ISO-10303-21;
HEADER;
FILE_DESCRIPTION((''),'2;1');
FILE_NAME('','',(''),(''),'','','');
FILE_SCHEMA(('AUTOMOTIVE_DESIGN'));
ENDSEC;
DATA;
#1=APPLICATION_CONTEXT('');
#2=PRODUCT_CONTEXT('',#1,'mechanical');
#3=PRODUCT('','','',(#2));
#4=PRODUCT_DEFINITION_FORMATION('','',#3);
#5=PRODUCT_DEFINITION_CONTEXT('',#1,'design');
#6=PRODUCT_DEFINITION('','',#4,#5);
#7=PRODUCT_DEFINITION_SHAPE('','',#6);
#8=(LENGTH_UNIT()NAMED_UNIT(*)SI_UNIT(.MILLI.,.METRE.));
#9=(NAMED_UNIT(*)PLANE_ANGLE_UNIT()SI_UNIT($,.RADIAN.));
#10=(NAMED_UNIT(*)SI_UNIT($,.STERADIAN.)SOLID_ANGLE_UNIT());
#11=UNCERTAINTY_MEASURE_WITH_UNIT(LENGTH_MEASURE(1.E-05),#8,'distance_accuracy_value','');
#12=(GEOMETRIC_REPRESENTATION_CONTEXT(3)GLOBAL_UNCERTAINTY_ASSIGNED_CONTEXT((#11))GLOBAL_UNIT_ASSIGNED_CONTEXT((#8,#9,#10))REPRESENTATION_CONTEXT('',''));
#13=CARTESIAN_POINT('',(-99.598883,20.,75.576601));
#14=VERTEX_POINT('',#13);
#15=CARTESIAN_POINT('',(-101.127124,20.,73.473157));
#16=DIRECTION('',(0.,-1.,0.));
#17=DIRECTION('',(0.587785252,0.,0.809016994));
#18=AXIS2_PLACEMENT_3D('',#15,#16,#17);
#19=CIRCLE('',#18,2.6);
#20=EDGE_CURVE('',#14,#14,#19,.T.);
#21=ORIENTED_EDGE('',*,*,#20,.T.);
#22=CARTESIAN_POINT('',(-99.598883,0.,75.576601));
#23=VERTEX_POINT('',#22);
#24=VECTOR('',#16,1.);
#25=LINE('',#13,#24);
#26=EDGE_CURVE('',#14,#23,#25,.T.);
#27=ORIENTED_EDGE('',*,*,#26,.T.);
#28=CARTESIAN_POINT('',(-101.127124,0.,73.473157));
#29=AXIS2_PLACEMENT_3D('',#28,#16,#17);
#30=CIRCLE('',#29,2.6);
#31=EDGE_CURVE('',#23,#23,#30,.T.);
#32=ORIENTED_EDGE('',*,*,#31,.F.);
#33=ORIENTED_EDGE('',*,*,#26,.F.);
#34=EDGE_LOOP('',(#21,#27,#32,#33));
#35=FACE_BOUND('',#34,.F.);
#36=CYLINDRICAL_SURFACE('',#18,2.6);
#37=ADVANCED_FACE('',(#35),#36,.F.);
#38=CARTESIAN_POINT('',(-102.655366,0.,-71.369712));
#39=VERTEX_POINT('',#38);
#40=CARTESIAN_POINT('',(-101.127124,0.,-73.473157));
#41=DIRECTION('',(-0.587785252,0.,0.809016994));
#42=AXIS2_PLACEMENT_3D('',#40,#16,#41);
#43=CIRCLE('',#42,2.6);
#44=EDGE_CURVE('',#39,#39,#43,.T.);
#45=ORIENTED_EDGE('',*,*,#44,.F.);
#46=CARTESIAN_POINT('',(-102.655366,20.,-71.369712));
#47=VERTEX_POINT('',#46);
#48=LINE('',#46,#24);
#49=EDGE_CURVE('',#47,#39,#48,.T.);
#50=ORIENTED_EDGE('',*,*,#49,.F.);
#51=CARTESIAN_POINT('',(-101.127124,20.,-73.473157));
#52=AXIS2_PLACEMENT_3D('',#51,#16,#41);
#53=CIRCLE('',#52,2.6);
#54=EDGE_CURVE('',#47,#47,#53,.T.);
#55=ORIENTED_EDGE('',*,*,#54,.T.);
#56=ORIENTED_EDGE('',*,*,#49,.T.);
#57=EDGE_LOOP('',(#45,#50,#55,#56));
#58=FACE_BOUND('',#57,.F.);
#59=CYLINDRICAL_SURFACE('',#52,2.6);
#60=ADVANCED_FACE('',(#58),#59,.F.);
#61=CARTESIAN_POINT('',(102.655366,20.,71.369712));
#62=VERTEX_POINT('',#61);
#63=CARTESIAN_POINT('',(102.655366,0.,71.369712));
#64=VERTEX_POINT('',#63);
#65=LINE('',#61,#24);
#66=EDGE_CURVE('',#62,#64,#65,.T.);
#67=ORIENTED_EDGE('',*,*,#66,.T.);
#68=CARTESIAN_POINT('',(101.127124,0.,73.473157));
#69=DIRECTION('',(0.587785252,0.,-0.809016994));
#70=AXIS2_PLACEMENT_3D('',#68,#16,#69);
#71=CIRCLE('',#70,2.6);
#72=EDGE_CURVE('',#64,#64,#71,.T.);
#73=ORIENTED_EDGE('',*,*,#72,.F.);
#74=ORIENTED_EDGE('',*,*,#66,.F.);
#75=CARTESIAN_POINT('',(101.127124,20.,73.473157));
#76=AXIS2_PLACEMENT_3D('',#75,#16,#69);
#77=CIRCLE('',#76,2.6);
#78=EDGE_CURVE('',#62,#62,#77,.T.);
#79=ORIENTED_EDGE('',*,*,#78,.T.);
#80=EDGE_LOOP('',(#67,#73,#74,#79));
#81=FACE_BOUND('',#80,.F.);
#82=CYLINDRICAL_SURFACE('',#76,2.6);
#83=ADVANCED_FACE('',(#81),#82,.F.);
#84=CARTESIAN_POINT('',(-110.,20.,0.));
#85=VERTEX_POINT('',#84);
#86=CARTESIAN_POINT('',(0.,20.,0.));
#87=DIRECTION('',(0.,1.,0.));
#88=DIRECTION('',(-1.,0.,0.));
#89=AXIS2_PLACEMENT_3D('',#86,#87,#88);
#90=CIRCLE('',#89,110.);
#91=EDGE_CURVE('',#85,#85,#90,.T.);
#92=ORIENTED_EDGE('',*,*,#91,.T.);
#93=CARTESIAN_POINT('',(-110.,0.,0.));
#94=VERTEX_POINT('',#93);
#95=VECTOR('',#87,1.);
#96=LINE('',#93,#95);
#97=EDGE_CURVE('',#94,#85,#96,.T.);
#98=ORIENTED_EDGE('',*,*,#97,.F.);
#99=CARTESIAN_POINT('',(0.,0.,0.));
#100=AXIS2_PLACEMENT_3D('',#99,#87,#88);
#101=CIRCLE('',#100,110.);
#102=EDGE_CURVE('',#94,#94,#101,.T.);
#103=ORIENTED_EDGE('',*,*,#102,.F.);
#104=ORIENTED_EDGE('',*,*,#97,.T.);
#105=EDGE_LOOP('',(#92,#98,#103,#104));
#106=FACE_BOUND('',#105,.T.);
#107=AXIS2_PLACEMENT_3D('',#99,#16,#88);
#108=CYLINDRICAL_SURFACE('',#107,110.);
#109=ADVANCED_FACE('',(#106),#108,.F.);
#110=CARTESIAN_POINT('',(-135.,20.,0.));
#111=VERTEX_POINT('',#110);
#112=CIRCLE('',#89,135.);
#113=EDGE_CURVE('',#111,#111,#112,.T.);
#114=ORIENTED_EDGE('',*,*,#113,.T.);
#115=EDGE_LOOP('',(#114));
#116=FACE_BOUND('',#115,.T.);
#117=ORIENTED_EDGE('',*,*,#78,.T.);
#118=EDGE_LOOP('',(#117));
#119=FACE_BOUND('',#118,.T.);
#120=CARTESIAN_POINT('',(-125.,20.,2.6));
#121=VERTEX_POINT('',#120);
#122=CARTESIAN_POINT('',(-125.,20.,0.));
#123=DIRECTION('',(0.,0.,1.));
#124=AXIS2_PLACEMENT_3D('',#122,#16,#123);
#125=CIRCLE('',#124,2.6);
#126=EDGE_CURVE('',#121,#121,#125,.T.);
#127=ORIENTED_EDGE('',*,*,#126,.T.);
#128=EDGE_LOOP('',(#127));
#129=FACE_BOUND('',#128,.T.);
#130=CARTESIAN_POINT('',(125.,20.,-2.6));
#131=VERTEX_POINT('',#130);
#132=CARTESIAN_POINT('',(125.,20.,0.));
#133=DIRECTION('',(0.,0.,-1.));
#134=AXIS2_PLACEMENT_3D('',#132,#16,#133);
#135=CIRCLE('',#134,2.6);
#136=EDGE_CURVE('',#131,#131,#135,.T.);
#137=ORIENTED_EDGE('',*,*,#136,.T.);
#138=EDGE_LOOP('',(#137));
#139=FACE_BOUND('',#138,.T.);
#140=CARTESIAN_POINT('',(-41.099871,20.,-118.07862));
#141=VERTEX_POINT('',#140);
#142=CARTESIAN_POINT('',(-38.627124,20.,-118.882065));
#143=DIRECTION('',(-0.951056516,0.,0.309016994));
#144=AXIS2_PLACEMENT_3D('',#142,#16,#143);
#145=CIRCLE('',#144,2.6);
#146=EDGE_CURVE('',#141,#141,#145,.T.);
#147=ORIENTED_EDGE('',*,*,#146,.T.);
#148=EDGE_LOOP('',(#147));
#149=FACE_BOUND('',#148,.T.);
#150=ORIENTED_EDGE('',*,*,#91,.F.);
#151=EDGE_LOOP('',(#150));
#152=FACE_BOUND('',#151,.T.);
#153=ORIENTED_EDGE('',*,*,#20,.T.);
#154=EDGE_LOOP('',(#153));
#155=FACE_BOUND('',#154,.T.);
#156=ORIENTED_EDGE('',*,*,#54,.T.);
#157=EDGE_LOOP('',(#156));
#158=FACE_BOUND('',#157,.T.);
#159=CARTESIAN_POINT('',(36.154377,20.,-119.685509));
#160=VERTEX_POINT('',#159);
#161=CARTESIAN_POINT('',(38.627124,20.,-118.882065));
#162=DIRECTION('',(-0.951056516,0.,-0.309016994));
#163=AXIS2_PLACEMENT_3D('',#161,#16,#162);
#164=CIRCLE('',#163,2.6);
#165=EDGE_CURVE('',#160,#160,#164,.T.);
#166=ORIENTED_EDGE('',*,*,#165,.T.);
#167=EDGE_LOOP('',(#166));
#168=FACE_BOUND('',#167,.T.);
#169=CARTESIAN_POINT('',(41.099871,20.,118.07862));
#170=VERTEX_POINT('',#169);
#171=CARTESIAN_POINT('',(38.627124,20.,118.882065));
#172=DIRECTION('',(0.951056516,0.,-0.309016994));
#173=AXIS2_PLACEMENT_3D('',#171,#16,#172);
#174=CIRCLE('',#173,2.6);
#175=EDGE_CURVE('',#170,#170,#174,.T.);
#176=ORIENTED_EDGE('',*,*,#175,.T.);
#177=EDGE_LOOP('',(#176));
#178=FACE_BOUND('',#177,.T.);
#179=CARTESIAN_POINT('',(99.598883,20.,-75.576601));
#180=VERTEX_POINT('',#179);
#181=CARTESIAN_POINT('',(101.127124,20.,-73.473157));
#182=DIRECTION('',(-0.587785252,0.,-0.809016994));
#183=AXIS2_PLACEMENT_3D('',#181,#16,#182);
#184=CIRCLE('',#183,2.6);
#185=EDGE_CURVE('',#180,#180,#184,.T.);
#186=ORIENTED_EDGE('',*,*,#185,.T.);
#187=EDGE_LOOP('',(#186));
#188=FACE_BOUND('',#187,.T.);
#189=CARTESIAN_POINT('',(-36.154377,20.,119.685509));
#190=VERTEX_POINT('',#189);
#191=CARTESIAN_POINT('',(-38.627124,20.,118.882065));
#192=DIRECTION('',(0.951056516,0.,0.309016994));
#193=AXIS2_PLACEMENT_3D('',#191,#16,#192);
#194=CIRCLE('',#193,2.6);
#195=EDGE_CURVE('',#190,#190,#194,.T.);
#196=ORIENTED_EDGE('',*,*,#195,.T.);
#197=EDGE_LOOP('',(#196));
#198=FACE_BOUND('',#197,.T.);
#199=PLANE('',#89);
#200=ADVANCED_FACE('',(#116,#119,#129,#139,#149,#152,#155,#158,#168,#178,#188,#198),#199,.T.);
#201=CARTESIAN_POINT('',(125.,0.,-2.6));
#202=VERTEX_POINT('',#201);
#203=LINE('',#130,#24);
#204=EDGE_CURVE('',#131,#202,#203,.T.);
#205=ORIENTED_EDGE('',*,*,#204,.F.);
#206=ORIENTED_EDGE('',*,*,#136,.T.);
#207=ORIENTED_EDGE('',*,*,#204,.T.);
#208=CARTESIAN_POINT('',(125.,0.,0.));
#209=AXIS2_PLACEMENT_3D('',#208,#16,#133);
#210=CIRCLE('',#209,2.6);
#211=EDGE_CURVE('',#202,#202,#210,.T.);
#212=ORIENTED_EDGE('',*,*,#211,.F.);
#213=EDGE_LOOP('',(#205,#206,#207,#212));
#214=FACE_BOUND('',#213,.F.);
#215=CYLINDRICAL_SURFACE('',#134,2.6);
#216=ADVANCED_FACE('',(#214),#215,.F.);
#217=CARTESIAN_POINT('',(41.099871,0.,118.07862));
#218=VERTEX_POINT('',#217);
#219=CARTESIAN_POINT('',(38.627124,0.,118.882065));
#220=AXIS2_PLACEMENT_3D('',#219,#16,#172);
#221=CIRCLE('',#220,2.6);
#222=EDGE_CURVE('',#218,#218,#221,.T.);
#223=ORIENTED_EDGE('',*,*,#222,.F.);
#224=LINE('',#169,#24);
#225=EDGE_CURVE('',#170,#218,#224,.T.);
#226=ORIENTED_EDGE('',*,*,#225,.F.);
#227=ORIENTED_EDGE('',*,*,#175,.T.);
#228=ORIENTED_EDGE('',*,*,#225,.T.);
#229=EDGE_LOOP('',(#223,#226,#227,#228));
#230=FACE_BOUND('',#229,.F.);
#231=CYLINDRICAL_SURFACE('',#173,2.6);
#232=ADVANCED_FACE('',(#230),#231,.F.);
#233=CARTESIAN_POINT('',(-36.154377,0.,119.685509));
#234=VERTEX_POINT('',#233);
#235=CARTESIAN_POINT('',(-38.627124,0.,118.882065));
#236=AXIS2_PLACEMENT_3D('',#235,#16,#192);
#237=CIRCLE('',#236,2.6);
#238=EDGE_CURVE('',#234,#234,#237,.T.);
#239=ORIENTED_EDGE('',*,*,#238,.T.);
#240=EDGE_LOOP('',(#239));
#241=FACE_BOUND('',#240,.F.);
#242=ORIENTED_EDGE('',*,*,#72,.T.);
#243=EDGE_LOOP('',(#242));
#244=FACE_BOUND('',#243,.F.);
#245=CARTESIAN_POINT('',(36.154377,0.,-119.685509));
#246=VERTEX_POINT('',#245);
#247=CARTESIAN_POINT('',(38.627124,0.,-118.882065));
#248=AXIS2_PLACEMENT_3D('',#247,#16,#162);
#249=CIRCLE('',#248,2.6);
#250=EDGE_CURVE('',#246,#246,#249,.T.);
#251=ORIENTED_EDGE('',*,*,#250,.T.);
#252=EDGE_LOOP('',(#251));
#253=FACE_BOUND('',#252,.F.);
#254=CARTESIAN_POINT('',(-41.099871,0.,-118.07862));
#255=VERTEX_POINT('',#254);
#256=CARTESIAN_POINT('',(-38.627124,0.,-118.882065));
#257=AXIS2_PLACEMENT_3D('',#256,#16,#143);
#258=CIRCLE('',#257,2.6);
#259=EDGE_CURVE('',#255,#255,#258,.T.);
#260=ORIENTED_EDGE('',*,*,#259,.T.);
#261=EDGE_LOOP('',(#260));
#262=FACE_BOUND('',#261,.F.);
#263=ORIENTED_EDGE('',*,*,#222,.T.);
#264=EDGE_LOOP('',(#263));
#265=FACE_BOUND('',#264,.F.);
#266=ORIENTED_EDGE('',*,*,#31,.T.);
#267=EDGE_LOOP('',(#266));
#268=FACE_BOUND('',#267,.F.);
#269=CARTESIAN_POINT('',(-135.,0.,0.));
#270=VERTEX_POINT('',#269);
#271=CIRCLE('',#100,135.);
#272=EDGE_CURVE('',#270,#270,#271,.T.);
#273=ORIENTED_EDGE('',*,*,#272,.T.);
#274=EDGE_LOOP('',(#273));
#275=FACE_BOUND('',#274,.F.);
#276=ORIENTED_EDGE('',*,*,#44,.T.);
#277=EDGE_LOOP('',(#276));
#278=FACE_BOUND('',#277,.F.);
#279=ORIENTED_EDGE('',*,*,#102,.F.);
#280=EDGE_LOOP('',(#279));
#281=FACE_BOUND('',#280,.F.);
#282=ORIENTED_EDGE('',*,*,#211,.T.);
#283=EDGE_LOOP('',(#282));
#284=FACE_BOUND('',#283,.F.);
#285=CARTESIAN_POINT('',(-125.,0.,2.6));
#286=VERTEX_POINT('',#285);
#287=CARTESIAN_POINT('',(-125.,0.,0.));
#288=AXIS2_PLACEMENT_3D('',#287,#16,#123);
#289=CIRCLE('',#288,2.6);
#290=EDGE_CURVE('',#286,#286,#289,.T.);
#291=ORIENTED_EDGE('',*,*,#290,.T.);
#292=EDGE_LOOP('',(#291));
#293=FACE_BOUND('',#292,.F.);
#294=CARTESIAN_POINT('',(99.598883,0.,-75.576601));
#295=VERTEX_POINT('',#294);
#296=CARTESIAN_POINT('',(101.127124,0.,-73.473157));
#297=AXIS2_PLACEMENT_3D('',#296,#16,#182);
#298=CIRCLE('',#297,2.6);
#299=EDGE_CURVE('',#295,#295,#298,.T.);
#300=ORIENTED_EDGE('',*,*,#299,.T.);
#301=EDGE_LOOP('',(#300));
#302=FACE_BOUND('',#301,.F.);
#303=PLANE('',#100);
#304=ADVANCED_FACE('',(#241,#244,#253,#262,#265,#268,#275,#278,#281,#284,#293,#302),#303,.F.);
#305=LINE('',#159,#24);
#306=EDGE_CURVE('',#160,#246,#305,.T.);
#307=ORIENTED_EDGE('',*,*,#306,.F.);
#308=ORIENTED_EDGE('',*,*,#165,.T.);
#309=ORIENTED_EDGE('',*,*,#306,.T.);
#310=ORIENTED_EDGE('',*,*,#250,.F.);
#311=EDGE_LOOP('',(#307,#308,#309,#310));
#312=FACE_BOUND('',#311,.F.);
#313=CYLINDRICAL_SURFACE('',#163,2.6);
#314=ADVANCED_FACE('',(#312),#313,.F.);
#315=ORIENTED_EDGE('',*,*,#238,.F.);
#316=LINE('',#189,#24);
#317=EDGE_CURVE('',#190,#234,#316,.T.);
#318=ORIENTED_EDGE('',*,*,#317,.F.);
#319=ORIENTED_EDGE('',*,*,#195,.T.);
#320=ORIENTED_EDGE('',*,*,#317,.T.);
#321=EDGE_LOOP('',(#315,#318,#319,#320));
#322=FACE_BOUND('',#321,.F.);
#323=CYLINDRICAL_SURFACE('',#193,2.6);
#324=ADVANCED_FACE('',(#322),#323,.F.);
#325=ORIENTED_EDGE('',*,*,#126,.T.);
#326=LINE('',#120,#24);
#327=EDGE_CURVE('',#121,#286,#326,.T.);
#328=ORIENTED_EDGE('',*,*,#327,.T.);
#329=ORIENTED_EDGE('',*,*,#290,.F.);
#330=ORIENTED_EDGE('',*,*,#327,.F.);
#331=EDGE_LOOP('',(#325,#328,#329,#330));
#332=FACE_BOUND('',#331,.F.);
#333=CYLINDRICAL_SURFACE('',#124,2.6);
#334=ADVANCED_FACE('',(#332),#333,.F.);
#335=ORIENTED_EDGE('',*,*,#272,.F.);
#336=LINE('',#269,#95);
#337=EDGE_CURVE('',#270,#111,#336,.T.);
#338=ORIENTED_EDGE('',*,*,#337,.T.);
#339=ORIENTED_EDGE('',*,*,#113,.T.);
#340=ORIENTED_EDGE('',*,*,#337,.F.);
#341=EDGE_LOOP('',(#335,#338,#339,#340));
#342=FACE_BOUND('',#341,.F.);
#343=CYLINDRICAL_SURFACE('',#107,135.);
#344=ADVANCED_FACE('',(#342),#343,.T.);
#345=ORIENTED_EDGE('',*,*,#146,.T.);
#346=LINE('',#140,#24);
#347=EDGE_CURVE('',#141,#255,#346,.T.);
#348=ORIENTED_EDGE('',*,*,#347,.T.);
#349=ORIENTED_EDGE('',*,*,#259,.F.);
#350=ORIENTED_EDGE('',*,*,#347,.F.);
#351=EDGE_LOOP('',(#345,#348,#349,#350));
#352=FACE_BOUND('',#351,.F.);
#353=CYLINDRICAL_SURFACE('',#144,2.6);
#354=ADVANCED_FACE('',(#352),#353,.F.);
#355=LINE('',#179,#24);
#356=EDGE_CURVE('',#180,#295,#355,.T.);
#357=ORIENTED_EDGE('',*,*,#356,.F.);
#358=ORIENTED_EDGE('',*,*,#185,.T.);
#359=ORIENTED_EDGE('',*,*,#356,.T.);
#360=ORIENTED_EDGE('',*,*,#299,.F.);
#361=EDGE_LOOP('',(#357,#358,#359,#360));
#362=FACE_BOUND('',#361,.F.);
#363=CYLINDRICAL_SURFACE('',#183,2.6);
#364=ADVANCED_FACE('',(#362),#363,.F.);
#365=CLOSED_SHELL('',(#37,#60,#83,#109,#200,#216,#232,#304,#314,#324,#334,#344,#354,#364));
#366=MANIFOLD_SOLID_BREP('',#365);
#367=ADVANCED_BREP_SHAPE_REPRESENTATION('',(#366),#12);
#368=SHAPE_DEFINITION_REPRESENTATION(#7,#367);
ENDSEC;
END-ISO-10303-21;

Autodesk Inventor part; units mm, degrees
ref_plane "YZ Plane" through (0, 0, 0) normal (1, 0, 0) x (0, 1, 0)
ref_plane "XZ Plane" through (0, 0, 0) normal (0, 1, 0) x (-1, 0, 0)
ref_plane "XY Plane" through (0, 0, 0) normal (0, 0, 1) x (1, 0, 0)
sketch "Sketch1" plane through (0, 0, 0) normal (0, 1, 0) x (-1, 0, 0)
  circle A0 centre (0, 0) radius 135
  circle A1 centre (0, 0) radius 110
  dimension "d0" = 270
  dimension "d1" = 220
extrude "Extrusion1" add sketch "Sketch1" along normal blind 20
sketch "Sketch2" plane through (0, 20, 0) normal (0, 1, 0) x (1, 0, 0)
  line L0 (-189, 0) -> (189, 0) projected
  point P0 (0, 0)
  point P1 (-125, 0)
  dimension "d11" = 125
hole "Hole1" at (-125, 20, 0) direction (0, -1, 0) diameter 5.2 end through all
pattern_circular "Circular Pattern1" count 10 over 360 about axis through (0, -10, 0) along (0, 1, 0) of "Hole1"
properties part number "Lower Ring (30mm)"
